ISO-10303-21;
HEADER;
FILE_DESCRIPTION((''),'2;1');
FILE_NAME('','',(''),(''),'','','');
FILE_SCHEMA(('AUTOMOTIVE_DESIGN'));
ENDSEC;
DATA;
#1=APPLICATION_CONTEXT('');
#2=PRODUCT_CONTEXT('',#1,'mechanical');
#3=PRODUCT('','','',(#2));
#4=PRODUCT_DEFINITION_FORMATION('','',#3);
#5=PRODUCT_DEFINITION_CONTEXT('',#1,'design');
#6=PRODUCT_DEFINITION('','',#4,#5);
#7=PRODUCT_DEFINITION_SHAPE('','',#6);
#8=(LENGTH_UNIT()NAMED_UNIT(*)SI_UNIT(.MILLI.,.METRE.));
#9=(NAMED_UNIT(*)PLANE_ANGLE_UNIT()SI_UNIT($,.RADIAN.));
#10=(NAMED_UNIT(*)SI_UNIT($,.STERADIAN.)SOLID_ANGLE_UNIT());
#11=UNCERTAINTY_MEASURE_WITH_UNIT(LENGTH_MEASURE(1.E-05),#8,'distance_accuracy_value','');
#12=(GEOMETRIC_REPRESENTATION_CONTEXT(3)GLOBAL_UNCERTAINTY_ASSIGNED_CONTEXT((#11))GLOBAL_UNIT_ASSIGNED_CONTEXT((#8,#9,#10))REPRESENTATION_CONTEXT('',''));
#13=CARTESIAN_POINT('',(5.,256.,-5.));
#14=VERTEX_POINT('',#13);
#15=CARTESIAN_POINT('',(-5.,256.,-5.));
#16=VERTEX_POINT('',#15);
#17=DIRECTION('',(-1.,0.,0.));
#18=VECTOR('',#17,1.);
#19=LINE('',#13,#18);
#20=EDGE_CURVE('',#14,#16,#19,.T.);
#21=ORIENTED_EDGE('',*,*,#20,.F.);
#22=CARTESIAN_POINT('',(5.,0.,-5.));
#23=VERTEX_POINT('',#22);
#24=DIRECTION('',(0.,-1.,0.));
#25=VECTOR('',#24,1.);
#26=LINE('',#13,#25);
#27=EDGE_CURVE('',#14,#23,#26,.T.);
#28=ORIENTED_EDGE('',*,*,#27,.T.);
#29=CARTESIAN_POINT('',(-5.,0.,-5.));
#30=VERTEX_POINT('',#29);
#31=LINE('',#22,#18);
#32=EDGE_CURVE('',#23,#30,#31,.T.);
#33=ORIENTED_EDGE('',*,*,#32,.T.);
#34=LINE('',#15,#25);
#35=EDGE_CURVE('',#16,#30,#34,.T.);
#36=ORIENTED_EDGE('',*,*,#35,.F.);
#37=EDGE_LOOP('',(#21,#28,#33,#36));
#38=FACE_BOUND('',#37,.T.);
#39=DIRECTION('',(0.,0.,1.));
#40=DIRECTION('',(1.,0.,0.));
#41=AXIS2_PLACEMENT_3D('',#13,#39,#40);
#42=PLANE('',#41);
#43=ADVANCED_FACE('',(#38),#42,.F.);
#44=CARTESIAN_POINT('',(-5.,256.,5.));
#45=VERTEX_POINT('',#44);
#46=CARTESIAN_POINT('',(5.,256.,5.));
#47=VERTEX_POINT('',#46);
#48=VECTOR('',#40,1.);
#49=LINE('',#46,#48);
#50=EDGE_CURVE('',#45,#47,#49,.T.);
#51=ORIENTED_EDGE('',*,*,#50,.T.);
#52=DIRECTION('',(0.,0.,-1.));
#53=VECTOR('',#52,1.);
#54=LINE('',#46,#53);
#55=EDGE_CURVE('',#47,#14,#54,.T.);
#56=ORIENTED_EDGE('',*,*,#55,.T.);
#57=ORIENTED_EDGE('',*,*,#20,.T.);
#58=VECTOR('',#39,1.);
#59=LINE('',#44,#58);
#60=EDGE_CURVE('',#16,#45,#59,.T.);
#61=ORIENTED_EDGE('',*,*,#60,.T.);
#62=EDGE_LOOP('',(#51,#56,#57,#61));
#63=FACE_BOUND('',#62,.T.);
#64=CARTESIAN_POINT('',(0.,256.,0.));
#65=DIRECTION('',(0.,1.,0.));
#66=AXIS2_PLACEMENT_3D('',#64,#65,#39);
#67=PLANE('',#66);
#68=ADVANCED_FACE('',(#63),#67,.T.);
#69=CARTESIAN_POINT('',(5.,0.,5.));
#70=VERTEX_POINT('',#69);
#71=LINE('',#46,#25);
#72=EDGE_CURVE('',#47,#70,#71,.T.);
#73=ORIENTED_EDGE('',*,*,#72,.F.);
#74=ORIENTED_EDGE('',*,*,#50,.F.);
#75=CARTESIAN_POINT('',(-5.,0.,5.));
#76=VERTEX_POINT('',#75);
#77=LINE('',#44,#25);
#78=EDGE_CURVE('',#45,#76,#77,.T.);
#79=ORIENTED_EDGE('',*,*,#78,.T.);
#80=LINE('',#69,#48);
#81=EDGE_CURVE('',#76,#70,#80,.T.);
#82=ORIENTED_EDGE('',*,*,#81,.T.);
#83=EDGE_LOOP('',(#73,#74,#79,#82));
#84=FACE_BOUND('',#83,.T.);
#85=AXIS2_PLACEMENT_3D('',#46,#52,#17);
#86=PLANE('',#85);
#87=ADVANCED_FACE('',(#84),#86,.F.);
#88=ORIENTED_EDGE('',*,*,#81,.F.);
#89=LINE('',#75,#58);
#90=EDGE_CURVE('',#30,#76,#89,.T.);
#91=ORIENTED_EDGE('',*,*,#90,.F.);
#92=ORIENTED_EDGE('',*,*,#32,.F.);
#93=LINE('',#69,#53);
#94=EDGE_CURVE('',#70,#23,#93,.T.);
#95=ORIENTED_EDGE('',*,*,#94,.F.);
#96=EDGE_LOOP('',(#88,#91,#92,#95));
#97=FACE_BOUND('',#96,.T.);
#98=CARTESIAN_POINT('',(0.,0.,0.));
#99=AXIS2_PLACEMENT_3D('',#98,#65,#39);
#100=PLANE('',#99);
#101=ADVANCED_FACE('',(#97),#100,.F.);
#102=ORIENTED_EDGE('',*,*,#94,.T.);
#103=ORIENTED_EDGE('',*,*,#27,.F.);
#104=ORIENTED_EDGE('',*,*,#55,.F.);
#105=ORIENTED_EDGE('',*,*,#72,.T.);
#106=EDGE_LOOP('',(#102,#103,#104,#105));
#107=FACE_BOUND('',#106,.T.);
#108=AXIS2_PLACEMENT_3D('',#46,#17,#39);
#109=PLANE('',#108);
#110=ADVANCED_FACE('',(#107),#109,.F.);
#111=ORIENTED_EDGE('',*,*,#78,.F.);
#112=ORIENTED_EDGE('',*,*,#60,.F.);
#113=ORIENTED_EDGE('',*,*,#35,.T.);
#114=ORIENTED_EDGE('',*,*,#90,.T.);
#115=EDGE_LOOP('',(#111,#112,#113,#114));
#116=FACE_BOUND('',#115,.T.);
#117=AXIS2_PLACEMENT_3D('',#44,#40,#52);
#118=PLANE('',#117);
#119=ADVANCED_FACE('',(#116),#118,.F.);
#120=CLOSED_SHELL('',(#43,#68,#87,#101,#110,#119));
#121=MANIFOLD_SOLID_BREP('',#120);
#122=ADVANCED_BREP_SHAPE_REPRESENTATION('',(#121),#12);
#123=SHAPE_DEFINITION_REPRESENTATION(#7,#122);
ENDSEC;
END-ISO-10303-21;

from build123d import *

# Parameters (mm, degrees)
SKETCH_1_W      = 10
SKETCH_1_H      = 10
EXTRUDE_1_DEPTH = 256


with BuildPart() as part:
    # Эскиз1 → Бобышка-Вытянуть1 (new body)
    with BuildSketch(Plane(origin=(0, 0, 0), x_dir=(1, 0, 0), z_dir=(0, 1, 0))):
        Rectangle(SKETCH_1_W, SKETCH_1_H)
    extrude(amount=EXTRUDE_1_DEPTH)


solid = part.part
